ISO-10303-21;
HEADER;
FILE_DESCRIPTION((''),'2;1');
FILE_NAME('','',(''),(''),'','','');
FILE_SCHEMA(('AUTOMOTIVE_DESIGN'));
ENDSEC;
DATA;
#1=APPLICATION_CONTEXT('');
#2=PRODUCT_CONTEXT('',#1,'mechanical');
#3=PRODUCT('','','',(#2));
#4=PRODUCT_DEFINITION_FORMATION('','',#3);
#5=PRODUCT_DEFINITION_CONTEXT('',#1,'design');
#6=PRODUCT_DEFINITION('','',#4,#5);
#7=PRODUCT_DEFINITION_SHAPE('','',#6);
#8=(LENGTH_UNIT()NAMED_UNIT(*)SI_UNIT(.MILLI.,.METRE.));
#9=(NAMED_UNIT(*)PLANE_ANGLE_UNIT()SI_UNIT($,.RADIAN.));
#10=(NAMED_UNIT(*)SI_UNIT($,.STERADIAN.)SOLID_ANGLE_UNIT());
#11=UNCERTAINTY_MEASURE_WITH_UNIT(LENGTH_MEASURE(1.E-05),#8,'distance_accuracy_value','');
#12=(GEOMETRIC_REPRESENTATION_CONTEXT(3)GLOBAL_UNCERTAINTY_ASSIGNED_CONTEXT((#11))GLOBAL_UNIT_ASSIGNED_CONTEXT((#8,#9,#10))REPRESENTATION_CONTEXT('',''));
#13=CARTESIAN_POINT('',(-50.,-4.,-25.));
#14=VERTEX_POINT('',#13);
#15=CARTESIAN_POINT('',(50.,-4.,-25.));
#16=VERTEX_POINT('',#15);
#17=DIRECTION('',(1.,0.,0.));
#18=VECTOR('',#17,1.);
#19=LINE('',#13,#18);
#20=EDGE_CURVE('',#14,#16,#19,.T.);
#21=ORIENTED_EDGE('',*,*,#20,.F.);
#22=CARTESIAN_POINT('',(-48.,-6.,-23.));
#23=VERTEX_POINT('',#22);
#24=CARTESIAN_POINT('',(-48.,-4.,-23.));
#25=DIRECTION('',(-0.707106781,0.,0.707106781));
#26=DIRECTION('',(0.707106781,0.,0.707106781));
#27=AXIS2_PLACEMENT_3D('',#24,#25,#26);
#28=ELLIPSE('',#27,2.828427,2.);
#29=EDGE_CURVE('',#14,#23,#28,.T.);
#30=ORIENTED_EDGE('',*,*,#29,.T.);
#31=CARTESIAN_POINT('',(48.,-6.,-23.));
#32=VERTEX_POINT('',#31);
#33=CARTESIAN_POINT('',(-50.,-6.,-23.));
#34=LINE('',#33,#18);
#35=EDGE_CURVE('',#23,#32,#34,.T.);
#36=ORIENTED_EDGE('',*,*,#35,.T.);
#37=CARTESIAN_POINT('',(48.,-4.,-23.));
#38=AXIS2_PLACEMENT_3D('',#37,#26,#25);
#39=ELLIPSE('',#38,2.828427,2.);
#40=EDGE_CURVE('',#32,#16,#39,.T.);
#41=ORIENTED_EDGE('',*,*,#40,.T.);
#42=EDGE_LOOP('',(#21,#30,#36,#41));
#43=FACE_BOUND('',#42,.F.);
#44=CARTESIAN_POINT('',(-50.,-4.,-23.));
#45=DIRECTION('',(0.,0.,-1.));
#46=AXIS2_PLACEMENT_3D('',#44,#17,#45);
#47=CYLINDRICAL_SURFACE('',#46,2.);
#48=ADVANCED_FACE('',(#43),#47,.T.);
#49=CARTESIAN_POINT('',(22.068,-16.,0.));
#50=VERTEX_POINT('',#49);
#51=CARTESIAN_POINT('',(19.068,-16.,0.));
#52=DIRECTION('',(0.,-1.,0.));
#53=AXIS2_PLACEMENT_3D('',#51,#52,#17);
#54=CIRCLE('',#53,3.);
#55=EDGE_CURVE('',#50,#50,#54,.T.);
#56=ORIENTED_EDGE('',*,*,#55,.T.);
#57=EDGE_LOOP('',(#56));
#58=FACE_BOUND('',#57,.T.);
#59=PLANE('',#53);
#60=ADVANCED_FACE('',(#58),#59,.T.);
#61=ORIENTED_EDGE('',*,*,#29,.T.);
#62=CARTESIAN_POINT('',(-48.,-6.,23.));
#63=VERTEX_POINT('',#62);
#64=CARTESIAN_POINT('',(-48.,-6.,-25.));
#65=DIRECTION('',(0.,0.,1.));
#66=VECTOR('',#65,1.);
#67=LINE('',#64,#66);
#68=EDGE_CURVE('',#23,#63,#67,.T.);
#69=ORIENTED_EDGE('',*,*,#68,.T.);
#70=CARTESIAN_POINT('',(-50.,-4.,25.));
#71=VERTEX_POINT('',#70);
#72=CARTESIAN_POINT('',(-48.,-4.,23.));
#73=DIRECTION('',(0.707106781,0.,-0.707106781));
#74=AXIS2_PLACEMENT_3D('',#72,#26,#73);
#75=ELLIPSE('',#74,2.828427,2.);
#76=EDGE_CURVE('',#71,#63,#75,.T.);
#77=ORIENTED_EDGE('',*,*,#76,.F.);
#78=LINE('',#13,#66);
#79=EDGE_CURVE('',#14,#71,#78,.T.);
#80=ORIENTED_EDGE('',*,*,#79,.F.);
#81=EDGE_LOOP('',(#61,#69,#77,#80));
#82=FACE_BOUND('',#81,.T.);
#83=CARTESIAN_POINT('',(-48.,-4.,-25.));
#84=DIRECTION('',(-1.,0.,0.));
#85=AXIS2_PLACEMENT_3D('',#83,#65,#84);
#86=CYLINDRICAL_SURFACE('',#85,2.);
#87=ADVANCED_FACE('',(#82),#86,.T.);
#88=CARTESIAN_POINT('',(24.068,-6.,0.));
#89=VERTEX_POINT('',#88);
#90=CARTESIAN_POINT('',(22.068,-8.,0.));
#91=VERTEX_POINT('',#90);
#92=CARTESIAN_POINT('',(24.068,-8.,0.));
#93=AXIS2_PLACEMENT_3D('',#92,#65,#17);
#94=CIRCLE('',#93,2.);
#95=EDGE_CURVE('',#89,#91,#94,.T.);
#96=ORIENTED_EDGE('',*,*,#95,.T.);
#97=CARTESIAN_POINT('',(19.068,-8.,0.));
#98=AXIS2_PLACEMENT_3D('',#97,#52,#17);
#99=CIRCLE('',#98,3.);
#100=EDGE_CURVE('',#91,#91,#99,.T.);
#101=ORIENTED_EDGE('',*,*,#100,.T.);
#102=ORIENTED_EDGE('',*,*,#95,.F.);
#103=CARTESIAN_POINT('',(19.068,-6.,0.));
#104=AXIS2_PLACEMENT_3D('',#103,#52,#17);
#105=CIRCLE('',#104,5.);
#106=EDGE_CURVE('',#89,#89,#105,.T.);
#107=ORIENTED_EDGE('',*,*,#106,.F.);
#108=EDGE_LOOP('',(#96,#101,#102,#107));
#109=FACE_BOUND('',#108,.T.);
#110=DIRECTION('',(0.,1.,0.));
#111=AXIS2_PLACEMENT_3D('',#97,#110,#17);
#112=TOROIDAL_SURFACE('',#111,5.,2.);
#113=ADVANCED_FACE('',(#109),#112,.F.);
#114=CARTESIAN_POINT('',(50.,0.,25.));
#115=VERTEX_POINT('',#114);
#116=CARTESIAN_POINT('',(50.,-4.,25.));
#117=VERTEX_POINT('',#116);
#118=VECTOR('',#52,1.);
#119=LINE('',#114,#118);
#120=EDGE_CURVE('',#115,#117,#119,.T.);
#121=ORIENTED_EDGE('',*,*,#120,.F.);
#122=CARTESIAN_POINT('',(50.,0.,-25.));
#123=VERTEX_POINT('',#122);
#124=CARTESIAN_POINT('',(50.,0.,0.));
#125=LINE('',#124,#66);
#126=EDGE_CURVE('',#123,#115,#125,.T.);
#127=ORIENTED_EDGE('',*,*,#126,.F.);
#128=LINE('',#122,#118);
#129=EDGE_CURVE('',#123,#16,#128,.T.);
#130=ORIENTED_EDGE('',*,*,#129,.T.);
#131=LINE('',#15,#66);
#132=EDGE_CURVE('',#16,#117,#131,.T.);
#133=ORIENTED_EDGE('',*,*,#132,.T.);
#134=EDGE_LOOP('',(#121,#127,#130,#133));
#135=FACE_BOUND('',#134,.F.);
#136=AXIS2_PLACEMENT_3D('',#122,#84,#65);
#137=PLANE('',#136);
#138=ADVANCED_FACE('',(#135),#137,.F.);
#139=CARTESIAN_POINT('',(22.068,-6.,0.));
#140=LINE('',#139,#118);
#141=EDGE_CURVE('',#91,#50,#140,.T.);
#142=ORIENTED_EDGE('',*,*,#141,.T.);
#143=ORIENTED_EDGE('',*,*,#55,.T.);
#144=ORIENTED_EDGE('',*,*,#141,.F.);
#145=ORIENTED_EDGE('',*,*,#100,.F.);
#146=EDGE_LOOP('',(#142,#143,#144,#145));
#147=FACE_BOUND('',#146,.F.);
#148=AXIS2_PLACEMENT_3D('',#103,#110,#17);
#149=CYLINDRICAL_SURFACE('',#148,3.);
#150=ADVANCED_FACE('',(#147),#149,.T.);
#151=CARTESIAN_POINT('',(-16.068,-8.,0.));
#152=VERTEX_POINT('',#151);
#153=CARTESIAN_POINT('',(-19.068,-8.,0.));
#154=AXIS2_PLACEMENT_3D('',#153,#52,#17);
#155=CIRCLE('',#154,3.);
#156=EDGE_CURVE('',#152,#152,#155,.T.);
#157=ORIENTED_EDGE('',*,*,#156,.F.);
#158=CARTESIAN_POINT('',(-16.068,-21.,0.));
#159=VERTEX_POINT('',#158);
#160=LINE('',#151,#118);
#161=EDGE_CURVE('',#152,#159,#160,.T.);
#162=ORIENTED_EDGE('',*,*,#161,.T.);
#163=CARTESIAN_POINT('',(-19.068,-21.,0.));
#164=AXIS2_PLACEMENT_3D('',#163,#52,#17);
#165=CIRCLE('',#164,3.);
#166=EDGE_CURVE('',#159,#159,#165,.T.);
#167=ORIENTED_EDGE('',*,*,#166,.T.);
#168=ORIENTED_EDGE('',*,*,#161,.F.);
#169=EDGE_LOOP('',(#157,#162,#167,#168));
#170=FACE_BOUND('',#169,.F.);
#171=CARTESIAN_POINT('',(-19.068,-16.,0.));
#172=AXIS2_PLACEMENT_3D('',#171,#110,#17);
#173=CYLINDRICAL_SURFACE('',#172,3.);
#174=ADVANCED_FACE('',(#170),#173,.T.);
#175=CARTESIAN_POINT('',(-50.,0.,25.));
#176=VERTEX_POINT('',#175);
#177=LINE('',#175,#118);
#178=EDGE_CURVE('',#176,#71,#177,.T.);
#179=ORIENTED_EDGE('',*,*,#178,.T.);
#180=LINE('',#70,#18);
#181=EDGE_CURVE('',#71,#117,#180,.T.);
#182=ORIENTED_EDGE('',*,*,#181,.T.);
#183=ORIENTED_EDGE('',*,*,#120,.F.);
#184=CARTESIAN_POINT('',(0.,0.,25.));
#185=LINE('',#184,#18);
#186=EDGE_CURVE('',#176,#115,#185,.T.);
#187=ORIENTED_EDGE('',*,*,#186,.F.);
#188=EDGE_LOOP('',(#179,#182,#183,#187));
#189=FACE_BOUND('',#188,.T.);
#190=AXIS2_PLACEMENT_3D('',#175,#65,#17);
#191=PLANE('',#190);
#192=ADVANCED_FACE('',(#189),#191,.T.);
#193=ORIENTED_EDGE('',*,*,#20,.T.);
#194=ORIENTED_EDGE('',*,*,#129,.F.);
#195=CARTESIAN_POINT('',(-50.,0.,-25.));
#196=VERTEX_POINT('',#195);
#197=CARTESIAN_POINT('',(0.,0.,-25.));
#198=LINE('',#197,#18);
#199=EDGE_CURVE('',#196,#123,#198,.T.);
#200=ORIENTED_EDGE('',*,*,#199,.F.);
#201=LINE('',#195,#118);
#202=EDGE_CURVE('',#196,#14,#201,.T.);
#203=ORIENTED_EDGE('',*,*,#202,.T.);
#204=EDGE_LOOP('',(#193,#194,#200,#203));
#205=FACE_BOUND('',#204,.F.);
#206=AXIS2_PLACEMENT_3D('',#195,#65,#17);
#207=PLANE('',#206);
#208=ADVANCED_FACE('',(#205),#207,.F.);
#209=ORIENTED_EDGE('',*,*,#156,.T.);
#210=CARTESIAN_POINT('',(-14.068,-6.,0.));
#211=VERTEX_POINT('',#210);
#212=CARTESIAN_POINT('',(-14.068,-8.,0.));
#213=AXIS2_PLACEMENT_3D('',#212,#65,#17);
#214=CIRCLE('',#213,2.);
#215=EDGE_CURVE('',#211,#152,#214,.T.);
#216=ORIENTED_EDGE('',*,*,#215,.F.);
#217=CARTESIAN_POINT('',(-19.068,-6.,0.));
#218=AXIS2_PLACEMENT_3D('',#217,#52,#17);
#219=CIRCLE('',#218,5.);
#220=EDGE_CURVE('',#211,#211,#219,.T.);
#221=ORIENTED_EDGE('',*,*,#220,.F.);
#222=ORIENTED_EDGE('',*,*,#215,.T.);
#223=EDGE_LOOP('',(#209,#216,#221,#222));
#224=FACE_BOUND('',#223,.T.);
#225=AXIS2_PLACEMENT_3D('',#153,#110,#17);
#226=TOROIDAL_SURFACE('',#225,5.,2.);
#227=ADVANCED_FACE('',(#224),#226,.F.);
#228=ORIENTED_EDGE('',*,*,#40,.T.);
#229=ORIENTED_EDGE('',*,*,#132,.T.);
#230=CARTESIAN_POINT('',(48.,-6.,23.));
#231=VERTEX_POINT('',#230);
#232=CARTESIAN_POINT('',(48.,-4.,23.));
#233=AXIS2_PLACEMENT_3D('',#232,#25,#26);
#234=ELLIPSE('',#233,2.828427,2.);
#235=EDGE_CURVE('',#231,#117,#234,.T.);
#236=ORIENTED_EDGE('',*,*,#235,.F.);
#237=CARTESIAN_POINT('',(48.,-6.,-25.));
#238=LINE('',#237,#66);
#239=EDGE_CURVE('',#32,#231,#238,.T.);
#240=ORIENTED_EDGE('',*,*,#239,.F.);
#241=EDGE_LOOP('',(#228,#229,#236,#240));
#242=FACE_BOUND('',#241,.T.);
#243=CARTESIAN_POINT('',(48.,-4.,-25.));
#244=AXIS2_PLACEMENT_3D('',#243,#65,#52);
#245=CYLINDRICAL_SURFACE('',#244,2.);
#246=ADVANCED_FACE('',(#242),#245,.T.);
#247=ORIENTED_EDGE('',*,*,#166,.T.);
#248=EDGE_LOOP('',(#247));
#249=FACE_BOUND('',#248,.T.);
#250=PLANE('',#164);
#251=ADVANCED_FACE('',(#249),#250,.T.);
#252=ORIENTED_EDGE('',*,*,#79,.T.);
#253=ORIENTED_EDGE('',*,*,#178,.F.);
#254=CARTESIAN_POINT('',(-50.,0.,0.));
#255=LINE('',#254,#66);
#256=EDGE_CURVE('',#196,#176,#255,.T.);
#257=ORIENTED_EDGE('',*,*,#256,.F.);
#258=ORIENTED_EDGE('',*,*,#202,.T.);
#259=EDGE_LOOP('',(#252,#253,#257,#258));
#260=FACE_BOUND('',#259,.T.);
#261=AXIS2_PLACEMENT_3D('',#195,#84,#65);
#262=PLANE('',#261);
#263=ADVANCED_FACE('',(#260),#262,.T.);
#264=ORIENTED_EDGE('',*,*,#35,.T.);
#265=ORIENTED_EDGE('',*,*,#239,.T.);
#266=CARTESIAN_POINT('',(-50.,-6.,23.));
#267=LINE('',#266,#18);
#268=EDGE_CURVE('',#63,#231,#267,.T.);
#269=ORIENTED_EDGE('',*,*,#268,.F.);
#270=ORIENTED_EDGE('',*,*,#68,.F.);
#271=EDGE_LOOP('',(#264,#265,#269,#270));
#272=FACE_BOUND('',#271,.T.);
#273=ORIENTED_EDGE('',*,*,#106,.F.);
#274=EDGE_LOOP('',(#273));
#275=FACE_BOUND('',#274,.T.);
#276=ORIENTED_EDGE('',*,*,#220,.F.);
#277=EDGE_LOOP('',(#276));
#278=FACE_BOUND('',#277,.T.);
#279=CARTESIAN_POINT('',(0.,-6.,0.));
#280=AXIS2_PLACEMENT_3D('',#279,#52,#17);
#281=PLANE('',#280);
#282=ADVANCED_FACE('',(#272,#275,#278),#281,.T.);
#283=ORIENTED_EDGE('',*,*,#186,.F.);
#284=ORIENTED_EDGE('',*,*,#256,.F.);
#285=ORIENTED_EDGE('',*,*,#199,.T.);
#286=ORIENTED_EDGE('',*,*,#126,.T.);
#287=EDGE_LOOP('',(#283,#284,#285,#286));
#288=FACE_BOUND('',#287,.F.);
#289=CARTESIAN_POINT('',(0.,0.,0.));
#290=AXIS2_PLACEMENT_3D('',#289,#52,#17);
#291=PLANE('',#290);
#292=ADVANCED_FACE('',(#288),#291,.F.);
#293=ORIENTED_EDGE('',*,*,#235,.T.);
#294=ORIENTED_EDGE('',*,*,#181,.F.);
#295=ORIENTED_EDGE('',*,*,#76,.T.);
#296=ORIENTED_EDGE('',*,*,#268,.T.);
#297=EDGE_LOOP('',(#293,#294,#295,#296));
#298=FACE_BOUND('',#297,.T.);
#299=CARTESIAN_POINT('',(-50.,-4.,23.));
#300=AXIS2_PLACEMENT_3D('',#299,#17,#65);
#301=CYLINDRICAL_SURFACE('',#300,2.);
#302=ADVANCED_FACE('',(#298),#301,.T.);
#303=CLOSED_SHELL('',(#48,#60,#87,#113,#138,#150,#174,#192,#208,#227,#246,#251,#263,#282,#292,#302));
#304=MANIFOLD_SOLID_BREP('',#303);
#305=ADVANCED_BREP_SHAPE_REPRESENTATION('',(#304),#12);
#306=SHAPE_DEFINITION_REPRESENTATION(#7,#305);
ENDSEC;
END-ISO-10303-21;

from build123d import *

# Parameters (mm, degrees)
F0_W     = 100
F0_H     = 50
F1_DEPTH = 6
F2_R     = 3
F3_DEPTH = 10
F4_R     = 2
F5_R     = 3
F6_DEPTH = 5


with BuildPart() as f1:
    # F0 (on Front) → F1 (new body)
    with BuildSketch(Plane.XZ):
        Rectangle(F0_W, F0_H)
    extrude(amount=F1_DEPTH)

    # F2 (on face) → F3 (join)
    with BuildSketch(Plane.XZ.offset(6)):
        with Locations((-19.068, 0)):
            Circle(F2_R)
        with Locations((19.068, 0)):
            Circle(F2_R)
    extrude(amount=F3_DEPTH)

    # F4
    f4_edges = [f1.edges().sort_by_distance(p)[0] for p in [
        (50, -6, 0),
        (0, -6, -25),
        (0, -6, 25),
        (-50, -6, 0),
        (-22.068, -6, 0),
        (16.068, -6, 0),
    ]]
    fillet(f4_edges, radius=F4_R)

    # F5 (on face) → F6 (join)
    with BuildSketch(Plane.XZ.offset(16)):
        with Locations((-19.068, 0)):
            Circle(F5_R)
    extrude(amount=F6_DEPTH)


solid = f1.part
